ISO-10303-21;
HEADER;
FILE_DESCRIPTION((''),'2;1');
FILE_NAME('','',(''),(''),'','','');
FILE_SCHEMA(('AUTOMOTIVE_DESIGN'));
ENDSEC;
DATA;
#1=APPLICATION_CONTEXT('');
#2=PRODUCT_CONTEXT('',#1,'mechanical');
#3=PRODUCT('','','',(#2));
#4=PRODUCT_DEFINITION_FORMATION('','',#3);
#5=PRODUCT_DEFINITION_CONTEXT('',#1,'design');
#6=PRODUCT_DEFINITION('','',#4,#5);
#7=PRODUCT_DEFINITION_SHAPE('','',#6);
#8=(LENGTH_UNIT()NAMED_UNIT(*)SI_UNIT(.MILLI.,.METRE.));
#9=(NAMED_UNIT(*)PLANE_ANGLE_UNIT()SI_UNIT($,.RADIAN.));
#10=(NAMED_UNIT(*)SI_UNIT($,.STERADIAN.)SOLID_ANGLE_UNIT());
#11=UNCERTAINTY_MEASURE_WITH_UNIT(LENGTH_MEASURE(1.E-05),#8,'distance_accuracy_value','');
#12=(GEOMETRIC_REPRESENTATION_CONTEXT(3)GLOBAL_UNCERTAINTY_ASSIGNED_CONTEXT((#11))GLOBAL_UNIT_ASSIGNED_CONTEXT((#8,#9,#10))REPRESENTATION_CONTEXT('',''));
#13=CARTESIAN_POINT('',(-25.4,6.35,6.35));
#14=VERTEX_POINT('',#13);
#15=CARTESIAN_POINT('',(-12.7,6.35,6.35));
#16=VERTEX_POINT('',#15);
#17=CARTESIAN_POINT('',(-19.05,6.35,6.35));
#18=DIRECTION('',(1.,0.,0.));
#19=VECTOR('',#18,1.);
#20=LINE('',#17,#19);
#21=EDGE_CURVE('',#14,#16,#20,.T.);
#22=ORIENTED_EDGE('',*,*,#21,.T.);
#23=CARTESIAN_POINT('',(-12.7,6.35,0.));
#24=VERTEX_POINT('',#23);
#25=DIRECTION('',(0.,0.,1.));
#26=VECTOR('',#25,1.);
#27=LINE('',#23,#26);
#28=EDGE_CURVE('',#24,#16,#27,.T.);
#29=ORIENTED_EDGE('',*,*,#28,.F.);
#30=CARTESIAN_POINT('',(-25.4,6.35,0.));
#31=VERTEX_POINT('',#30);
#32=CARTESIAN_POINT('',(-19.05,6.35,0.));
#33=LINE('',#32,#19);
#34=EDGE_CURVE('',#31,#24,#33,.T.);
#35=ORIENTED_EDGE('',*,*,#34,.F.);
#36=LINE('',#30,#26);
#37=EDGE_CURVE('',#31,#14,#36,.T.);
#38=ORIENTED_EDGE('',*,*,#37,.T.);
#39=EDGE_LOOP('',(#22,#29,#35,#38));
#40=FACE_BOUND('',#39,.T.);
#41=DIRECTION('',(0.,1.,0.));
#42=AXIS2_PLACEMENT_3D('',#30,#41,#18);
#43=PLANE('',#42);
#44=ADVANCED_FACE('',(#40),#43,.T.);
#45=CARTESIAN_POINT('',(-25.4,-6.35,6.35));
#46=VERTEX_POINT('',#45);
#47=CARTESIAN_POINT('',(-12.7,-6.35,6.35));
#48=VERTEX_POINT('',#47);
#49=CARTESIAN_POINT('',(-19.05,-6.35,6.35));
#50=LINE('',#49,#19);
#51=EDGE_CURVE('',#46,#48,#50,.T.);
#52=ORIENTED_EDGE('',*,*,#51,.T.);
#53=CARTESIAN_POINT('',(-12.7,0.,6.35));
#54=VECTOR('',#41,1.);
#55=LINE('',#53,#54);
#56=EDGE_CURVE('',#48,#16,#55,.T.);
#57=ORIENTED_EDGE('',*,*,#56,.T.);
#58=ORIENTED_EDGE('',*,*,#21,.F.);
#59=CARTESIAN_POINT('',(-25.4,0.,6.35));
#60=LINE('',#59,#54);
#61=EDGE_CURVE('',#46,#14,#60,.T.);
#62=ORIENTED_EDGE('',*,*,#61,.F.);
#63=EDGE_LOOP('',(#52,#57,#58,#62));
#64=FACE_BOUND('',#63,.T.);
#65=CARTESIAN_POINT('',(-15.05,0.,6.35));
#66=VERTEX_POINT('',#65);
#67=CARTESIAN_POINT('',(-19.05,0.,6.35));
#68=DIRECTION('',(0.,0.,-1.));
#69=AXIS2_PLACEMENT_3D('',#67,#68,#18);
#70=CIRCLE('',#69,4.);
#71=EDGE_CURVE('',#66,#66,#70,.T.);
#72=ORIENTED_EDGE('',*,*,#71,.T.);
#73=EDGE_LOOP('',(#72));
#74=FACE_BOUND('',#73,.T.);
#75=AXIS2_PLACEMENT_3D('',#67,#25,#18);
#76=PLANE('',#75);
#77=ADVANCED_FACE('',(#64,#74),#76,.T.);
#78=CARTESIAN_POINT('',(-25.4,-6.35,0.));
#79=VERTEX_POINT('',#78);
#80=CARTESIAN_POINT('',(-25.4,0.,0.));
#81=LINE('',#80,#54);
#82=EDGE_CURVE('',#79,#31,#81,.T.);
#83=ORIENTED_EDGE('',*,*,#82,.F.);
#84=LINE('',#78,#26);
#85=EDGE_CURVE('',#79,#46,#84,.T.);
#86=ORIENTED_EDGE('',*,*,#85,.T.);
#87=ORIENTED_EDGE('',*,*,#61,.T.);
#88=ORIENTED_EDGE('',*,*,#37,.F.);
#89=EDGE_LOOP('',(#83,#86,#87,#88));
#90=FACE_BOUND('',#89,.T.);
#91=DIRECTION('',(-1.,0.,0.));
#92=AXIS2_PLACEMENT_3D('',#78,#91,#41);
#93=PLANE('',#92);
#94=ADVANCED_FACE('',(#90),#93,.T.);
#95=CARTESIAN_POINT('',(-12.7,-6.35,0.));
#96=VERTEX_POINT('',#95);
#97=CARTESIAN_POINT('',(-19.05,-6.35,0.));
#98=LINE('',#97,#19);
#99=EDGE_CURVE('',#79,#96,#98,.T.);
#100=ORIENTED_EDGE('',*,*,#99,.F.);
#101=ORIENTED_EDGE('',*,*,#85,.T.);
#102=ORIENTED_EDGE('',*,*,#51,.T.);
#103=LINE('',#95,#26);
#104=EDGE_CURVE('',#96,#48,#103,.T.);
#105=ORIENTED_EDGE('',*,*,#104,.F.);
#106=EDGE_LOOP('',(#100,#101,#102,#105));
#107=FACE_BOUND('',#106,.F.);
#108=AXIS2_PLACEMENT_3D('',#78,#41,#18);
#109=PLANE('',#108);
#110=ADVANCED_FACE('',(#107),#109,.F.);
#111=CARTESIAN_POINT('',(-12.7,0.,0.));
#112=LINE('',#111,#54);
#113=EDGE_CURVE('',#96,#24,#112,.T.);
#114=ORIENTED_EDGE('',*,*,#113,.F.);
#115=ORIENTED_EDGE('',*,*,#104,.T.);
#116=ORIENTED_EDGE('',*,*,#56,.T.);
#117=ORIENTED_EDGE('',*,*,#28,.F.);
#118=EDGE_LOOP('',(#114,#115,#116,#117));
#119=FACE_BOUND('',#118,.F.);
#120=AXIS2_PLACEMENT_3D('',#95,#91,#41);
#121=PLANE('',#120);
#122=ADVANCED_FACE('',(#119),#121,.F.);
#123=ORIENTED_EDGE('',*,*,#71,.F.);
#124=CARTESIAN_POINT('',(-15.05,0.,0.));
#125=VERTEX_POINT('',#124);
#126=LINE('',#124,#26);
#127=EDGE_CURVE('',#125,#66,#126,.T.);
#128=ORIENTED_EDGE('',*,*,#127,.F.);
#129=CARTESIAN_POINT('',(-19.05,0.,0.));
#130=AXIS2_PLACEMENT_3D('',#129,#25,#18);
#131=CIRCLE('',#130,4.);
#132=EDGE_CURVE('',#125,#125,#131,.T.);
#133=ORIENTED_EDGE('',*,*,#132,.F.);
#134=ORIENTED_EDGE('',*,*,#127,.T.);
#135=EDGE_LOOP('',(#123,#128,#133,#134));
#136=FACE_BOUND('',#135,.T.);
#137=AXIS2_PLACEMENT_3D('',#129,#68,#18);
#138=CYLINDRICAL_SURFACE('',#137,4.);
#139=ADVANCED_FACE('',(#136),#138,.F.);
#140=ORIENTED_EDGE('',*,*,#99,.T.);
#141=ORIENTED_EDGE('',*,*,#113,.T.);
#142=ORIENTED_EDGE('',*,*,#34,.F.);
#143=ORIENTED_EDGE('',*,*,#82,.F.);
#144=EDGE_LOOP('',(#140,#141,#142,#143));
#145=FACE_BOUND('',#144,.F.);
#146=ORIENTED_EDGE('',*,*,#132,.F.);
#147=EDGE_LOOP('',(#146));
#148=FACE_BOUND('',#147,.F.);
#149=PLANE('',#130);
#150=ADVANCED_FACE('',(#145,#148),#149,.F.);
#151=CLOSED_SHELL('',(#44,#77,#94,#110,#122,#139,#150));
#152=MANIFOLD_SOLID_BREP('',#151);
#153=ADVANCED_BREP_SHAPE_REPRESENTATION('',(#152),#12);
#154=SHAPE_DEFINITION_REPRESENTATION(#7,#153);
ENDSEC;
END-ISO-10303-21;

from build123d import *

# Parameters (mm, degrees)
CYLINDER037_R     = 4
CYLINDER037_DEPTH = 10
BOX016_W          = 12.7
BOX016_H          = 12.7
BOX016_DEPTH      = 6.35


with BuildPart() as cylinder037:
    # Cylinder037 → Cylinder037 (new body)
    with BuildSketch(Plane(origin=(6.35, 6.35, 0), x_dir=(1, 0, 0), z_dir=(0, 0, 1))):
        Circle(CYLINDER037_R)
    extrude(amount=CYLINDER037_DEPTH)


with BuildPart() as m8_nut003:
    # Box016 → Box016 (new body)
    with BuildSketch(Plane.XY):
        with Locations((6.35, 6.35)):
            Rectangle(BOX016_W, BOX016_H)
    extrude(amount=BOX016_DEPTH)

    # Cut014: cut Cylinder037
    add(cylinder037.part, mode=Mode.SUBTRACT)


with BuildPart() as m8_nut003_1:
    # Cut014 placement: moved
    add(m8_nut003.part.moved(Location((-25.4, -6.35, 0))))


solid = m8_nut003_1.part
